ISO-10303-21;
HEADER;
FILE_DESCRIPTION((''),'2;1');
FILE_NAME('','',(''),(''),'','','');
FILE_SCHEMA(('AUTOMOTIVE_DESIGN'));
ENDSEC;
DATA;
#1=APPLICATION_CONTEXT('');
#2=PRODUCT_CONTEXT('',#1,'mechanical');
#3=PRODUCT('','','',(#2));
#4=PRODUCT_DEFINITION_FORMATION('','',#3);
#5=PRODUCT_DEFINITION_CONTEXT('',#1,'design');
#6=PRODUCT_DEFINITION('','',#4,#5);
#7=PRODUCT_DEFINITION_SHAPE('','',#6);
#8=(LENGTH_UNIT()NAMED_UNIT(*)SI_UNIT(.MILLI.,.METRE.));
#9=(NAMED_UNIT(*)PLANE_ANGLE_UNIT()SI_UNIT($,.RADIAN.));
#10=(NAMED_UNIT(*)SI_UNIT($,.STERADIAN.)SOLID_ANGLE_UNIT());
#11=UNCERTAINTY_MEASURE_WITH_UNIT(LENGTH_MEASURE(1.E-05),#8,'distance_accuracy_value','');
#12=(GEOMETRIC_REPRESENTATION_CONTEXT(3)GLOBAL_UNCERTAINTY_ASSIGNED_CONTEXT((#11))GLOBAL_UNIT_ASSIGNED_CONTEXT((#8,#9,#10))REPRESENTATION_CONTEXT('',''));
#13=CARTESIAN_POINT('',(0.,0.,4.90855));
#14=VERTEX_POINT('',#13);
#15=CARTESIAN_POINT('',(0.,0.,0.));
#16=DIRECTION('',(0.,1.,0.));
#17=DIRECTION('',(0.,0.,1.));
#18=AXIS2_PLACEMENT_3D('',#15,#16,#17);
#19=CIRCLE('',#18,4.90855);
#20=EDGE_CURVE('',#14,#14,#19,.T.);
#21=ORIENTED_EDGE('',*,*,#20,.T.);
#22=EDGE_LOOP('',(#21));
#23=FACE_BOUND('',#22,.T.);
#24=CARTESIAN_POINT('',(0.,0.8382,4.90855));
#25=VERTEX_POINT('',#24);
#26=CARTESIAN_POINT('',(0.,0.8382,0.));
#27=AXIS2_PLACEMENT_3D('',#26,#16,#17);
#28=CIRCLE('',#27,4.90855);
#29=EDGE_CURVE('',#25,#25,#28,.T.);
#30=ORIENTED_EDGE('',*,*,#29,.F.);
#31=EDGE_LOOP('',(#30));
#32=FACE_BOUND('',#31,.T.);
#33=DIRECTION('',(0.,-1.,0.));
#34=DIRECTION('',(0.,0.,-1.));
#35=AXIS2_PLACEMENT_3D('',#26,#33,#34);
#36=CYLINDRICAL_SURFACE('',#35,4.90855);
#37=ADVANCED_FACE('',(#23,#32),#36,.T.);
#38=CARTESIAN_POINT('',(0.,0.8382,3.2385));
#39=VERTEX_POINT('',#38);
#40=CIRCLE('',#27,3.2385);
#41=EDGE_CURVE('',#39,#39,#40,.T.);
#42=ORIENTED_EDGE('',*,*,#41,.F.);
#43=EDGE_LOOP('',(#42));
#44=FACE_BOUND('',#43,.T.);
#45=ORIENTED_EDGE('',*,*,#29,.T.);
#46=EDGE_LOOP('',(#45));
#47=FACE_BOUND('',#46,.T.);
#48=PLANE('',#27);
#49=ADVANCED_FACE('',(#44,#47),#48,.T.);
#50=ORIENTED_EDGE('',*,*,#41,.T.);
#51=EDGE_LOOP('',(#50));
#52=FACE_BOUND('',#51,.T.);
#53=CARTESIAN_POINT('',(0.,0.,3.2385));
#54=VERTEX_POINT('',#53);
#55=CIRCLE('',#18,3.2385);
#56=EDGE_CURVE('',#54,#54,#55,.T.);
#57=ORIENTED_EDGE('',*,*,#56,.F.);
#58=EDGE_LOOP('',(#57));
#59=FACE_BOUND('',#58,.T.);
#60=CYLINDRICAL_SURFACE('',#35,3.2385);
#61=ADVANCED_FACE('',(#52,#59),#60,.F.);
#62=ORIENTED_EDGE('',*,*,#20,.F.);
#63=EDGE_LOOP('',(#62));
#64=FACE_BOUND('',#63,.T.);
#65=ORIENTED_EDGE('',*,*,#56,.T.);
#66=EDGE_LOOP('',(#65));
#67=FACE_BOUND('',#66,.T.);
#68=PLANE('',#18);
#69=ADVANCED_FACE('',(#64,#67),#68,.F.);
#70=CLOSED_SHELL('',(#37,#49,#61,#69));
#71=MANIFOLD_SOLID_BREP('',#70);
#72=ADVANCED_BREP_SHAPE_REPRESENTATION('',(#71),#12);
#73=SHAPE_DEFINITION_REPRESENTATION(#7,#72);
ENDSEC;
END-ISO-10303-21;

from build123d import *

# Parameters (mm, degrees)
SKETCH1_R           = 4.90855
SKETCH1_R_2         = 3.2385
BOSS_EXTRUDE1_DEPTH = 0.8382


with BuildPart() as part:
    # Sketch1 → Boss-Extrude1 (new body)
    with BuildSketch(Plane(origin=(0, 0, 0), x_dir=(1, 0, 0), z_dir=(0, 1, 0))):
        Circle(SKETCH1_R)
        Circle(SKETCH1_R_2, mode=Mode.SUBTRACT)
    extrude(amount=BOSS_EXTRUDE1_DEPTH)


solid = part.part
